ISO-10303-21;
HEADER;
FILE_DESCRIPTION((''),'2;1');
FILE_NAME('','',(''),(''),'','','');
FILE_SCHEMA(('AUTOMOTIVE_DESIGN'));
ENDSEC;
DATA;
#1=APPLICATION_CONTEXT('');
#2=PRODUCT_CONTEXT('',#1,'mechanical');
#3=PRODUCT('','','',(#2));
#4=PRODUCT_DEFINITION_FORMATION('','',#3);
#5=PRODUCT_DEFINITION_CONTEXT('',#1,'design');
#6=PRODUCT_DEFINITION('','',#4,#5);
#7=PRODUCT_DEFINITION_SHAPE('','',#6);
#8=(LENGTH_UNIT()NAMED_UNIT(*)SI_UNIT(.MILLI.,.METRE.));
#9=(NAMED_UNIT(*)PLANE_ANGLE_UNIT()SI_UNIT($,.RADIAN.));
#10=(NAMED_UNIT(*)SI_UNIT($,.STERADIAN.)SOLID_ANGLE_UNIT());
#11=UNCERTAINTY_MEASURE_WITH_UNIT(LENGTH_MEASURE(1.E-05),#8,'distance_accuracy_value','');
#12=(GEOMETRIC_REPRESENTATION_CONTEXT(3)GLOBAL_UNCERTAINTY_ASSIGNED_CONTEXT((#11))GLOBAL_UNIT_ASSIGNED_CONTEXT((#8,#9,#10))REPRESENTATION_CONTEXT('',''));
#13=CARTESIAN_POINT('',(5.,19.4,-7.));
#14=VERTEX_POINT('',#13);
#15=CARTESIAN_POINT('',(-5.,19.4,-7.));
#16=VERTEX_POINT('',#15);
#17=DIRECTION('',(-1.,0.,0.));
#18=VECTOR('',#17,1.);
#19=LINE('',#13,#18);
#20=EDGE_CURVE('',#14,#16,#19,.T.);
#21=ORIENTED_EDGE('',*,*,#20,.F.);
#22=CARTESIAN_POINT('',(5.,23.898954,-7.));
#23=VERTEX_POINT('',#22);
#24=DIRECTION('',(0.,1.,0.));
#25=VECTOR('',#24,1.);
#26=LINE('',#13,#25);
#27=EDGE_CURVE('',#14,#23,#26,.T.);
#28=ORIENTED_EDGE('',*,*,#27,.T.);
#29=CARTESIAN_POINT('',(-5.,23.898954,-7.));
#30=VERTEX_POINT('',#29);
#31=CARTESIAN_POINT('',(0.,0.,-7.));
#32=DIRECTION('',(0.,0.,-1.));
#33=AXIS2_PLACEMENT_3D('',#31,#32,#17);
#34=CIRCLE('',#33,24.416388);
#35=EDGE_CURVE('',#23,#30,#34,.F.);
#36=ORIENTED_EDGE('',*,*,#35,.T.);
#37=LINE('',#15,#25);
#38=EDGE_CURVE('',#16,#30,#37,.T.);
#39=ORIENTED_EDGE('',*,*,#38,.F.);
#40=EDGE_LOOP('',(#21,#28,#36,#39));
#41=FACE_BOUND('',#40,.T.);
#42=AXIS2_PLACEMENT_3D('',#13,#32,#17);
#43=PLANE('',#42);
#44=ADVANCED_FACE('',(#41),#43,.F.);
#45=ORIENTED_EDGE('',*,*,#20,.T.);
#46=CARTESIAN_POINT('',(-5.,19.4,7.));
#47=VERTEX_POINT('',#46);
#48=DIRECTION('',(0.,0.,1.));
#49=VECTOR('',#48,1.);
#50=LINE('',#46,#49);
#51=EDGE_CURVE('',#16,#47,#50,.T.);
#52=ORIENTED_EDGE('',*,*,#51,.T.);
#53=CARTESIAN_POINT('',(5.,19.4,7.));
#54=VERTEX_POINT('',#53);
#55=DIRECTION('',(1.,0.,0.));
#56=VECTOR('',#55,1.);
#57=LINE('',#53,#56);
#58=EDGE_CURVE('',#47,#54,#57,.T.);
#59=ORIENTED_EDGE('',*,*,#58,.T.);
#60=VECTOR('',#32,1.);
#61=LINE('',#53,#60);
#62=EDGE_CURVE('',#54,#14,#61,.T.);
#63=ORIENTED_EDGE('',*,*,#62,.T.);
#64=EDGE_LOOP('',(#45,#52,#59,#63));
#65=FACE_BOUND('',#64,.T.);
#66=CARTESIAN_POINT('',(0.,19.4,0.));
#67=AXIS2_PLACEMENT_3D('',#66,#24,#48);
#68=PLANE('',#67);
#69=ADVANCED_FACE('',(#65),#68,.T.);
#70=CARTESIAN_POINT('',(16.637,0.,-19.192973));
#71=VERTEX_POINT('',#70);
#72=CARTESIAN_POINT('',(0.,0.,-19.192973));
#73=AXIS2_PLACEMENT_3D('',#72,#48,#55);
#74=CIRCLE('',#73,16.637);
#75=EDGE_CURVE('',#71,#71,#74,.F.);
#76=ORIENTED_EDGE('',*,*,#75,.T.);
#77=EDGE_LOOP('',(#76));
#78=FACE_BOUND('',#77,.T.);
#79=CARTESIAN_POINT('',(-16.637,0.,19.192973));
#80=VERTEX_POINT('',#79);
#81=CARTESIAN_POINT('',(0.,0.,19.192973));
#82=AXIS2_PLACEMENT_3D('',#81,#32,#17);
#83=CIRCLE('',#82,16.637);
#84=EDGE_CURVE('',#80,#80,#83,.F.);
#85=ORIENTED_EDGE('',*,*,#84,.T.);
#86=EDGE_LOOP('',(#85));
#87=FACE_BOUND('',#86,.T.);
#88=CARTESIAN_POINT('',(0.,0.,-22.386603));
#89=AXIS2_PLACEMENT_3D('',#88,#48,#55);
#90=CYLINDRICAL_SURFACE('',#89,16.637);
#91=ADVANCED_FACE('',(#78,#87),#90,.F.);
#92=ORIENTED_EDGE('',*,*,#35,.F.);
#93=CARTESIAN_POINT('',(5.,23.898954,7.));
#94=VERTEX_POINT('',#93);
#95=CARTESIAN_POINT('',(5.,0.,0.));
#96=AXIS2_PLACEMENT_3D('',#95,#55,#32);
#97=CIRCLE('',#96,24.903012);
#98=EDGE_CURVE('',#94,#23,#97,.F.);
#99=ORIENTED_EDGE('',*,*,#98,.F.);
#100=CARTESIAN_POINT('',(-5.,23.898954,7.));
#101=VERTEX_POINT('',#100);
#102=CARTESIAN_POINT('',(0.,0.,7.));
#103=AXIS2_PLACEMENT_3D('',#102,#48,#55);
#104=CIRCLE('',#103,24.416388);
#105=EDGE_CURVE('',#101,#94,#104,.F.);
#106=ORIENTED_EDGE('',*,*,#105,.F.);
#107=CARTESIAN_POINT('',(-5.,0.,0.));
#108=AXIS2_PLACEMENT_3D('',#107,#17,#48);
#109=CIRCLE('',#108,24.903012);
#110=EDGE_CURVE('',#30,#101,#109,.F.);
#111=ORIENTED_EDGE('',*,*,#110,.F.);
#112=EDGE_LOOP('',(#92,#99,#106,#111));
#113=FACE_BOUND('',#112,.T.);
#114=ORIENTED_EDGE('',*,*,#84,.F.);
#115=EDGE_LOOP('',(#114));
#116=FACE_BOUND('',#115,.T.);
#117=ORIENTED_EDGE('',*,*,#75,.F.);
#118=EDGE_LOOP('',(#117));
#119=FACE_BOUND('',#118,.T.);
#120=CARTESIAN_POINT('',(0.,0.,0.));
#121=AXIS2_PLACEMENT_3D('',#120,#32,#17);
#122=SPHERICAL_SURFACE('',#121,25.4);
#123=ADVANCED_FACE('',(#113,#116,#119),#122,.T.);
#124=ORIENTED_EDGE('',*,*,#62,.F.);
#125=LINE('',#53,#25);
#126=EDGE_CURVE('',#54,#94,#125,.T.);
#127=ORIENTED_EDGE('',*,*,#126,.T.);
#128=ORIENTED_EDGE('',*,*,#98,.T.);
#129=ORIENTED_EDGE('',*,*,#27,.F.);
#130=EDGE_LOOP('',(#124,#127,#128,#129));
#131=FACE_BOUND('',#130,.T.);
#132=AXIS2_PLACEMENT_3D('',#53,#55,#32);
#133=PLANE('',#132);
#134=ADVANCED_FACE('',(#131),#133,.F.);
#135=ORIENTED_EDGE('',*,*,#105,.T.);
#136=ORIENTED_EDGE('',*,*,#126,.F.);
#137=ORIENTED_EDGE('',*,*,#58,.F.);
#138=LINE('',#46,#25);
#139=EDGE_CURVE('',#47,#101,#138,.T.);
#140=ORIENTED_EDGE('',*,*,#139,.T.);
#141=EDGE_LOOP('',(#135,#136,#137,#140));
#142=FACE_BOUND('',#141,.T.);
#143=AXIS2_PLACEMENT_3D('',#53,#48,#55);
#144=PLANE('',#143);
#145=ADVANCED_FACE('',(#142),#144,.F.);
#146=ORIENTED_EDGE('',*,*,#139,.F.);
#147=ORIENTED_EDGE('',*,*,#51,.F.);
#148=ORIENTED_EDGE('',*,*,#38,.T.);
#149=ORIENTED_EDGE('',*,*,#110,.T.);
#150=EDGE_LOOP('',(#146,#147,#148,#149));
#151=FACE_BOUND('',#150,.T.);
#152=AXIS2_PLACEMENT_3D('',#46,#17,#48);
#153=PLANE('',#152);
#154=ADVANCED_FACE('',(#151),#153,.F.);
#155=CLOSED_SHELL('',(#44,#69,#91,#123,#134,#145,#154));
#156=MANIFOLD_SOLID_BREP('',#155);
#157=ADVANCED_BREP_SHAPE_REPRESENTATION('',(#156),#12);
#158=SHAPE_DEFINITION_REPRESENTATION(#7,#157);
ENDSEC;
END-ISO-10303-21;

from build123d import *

# Parameters (mm, degrees)
SKETCH5_R          = 16.637
CUT_EXTRUDE2_DEPTH = 58.401742134
SKETCH6_W          = 10
SKETCH6_H          = 14
CUT_EXTRUDE3_DEPTH = 6


with BuildPart() as part:
    # Sketch4 → Revolve4 (revolve)
    with BuildSketch(Plane(origin=(0, 0, 0), x_dir=(1, 0, 0), z_dir=(0, 1, 0))):
        with BuildLine():
            Line((-12, 22.386603137), (0, 22.386603137))
            Line((0, 22.386603137), (0, -22.386603137))
            Line((0, -22.386603137), (-12, -22.386603137))
            ThreePointArc((-12, -22.386603137), (-25.4, 0), (-12, 22.386603137))
        make_face()
    revolve(axis=Axis((0, 0, -17.487077089), (0, 0, 1)))

    # Sketch5 → Cut-Extrude2 (cut, through all)
    with BuildSketch(Plane.XY.offset(22.386603137)):
        with Locations(Location((0, 0, 0), (0, 0, 180))):
            Circle(SKETCH5_R)
    extrude(amount=-CUT_EXTRUDE2_DEPTH, mode=Mode.SUBTRACT)

    # Sketch6 → Cut-Extrude3 (cut)
    with BuildSketch(Plane(origin=(0, 25.4, 0), x_dir=(1, 0, 0), z_dir=(0, 1, 0))):
        Rectangle(SKETCH6_W, SKETCH6_H)
    extrude(amount=-CUT_EXTRUDE3_DEPTH, mode=Mode.SUBTRACT)


solid = part.part
